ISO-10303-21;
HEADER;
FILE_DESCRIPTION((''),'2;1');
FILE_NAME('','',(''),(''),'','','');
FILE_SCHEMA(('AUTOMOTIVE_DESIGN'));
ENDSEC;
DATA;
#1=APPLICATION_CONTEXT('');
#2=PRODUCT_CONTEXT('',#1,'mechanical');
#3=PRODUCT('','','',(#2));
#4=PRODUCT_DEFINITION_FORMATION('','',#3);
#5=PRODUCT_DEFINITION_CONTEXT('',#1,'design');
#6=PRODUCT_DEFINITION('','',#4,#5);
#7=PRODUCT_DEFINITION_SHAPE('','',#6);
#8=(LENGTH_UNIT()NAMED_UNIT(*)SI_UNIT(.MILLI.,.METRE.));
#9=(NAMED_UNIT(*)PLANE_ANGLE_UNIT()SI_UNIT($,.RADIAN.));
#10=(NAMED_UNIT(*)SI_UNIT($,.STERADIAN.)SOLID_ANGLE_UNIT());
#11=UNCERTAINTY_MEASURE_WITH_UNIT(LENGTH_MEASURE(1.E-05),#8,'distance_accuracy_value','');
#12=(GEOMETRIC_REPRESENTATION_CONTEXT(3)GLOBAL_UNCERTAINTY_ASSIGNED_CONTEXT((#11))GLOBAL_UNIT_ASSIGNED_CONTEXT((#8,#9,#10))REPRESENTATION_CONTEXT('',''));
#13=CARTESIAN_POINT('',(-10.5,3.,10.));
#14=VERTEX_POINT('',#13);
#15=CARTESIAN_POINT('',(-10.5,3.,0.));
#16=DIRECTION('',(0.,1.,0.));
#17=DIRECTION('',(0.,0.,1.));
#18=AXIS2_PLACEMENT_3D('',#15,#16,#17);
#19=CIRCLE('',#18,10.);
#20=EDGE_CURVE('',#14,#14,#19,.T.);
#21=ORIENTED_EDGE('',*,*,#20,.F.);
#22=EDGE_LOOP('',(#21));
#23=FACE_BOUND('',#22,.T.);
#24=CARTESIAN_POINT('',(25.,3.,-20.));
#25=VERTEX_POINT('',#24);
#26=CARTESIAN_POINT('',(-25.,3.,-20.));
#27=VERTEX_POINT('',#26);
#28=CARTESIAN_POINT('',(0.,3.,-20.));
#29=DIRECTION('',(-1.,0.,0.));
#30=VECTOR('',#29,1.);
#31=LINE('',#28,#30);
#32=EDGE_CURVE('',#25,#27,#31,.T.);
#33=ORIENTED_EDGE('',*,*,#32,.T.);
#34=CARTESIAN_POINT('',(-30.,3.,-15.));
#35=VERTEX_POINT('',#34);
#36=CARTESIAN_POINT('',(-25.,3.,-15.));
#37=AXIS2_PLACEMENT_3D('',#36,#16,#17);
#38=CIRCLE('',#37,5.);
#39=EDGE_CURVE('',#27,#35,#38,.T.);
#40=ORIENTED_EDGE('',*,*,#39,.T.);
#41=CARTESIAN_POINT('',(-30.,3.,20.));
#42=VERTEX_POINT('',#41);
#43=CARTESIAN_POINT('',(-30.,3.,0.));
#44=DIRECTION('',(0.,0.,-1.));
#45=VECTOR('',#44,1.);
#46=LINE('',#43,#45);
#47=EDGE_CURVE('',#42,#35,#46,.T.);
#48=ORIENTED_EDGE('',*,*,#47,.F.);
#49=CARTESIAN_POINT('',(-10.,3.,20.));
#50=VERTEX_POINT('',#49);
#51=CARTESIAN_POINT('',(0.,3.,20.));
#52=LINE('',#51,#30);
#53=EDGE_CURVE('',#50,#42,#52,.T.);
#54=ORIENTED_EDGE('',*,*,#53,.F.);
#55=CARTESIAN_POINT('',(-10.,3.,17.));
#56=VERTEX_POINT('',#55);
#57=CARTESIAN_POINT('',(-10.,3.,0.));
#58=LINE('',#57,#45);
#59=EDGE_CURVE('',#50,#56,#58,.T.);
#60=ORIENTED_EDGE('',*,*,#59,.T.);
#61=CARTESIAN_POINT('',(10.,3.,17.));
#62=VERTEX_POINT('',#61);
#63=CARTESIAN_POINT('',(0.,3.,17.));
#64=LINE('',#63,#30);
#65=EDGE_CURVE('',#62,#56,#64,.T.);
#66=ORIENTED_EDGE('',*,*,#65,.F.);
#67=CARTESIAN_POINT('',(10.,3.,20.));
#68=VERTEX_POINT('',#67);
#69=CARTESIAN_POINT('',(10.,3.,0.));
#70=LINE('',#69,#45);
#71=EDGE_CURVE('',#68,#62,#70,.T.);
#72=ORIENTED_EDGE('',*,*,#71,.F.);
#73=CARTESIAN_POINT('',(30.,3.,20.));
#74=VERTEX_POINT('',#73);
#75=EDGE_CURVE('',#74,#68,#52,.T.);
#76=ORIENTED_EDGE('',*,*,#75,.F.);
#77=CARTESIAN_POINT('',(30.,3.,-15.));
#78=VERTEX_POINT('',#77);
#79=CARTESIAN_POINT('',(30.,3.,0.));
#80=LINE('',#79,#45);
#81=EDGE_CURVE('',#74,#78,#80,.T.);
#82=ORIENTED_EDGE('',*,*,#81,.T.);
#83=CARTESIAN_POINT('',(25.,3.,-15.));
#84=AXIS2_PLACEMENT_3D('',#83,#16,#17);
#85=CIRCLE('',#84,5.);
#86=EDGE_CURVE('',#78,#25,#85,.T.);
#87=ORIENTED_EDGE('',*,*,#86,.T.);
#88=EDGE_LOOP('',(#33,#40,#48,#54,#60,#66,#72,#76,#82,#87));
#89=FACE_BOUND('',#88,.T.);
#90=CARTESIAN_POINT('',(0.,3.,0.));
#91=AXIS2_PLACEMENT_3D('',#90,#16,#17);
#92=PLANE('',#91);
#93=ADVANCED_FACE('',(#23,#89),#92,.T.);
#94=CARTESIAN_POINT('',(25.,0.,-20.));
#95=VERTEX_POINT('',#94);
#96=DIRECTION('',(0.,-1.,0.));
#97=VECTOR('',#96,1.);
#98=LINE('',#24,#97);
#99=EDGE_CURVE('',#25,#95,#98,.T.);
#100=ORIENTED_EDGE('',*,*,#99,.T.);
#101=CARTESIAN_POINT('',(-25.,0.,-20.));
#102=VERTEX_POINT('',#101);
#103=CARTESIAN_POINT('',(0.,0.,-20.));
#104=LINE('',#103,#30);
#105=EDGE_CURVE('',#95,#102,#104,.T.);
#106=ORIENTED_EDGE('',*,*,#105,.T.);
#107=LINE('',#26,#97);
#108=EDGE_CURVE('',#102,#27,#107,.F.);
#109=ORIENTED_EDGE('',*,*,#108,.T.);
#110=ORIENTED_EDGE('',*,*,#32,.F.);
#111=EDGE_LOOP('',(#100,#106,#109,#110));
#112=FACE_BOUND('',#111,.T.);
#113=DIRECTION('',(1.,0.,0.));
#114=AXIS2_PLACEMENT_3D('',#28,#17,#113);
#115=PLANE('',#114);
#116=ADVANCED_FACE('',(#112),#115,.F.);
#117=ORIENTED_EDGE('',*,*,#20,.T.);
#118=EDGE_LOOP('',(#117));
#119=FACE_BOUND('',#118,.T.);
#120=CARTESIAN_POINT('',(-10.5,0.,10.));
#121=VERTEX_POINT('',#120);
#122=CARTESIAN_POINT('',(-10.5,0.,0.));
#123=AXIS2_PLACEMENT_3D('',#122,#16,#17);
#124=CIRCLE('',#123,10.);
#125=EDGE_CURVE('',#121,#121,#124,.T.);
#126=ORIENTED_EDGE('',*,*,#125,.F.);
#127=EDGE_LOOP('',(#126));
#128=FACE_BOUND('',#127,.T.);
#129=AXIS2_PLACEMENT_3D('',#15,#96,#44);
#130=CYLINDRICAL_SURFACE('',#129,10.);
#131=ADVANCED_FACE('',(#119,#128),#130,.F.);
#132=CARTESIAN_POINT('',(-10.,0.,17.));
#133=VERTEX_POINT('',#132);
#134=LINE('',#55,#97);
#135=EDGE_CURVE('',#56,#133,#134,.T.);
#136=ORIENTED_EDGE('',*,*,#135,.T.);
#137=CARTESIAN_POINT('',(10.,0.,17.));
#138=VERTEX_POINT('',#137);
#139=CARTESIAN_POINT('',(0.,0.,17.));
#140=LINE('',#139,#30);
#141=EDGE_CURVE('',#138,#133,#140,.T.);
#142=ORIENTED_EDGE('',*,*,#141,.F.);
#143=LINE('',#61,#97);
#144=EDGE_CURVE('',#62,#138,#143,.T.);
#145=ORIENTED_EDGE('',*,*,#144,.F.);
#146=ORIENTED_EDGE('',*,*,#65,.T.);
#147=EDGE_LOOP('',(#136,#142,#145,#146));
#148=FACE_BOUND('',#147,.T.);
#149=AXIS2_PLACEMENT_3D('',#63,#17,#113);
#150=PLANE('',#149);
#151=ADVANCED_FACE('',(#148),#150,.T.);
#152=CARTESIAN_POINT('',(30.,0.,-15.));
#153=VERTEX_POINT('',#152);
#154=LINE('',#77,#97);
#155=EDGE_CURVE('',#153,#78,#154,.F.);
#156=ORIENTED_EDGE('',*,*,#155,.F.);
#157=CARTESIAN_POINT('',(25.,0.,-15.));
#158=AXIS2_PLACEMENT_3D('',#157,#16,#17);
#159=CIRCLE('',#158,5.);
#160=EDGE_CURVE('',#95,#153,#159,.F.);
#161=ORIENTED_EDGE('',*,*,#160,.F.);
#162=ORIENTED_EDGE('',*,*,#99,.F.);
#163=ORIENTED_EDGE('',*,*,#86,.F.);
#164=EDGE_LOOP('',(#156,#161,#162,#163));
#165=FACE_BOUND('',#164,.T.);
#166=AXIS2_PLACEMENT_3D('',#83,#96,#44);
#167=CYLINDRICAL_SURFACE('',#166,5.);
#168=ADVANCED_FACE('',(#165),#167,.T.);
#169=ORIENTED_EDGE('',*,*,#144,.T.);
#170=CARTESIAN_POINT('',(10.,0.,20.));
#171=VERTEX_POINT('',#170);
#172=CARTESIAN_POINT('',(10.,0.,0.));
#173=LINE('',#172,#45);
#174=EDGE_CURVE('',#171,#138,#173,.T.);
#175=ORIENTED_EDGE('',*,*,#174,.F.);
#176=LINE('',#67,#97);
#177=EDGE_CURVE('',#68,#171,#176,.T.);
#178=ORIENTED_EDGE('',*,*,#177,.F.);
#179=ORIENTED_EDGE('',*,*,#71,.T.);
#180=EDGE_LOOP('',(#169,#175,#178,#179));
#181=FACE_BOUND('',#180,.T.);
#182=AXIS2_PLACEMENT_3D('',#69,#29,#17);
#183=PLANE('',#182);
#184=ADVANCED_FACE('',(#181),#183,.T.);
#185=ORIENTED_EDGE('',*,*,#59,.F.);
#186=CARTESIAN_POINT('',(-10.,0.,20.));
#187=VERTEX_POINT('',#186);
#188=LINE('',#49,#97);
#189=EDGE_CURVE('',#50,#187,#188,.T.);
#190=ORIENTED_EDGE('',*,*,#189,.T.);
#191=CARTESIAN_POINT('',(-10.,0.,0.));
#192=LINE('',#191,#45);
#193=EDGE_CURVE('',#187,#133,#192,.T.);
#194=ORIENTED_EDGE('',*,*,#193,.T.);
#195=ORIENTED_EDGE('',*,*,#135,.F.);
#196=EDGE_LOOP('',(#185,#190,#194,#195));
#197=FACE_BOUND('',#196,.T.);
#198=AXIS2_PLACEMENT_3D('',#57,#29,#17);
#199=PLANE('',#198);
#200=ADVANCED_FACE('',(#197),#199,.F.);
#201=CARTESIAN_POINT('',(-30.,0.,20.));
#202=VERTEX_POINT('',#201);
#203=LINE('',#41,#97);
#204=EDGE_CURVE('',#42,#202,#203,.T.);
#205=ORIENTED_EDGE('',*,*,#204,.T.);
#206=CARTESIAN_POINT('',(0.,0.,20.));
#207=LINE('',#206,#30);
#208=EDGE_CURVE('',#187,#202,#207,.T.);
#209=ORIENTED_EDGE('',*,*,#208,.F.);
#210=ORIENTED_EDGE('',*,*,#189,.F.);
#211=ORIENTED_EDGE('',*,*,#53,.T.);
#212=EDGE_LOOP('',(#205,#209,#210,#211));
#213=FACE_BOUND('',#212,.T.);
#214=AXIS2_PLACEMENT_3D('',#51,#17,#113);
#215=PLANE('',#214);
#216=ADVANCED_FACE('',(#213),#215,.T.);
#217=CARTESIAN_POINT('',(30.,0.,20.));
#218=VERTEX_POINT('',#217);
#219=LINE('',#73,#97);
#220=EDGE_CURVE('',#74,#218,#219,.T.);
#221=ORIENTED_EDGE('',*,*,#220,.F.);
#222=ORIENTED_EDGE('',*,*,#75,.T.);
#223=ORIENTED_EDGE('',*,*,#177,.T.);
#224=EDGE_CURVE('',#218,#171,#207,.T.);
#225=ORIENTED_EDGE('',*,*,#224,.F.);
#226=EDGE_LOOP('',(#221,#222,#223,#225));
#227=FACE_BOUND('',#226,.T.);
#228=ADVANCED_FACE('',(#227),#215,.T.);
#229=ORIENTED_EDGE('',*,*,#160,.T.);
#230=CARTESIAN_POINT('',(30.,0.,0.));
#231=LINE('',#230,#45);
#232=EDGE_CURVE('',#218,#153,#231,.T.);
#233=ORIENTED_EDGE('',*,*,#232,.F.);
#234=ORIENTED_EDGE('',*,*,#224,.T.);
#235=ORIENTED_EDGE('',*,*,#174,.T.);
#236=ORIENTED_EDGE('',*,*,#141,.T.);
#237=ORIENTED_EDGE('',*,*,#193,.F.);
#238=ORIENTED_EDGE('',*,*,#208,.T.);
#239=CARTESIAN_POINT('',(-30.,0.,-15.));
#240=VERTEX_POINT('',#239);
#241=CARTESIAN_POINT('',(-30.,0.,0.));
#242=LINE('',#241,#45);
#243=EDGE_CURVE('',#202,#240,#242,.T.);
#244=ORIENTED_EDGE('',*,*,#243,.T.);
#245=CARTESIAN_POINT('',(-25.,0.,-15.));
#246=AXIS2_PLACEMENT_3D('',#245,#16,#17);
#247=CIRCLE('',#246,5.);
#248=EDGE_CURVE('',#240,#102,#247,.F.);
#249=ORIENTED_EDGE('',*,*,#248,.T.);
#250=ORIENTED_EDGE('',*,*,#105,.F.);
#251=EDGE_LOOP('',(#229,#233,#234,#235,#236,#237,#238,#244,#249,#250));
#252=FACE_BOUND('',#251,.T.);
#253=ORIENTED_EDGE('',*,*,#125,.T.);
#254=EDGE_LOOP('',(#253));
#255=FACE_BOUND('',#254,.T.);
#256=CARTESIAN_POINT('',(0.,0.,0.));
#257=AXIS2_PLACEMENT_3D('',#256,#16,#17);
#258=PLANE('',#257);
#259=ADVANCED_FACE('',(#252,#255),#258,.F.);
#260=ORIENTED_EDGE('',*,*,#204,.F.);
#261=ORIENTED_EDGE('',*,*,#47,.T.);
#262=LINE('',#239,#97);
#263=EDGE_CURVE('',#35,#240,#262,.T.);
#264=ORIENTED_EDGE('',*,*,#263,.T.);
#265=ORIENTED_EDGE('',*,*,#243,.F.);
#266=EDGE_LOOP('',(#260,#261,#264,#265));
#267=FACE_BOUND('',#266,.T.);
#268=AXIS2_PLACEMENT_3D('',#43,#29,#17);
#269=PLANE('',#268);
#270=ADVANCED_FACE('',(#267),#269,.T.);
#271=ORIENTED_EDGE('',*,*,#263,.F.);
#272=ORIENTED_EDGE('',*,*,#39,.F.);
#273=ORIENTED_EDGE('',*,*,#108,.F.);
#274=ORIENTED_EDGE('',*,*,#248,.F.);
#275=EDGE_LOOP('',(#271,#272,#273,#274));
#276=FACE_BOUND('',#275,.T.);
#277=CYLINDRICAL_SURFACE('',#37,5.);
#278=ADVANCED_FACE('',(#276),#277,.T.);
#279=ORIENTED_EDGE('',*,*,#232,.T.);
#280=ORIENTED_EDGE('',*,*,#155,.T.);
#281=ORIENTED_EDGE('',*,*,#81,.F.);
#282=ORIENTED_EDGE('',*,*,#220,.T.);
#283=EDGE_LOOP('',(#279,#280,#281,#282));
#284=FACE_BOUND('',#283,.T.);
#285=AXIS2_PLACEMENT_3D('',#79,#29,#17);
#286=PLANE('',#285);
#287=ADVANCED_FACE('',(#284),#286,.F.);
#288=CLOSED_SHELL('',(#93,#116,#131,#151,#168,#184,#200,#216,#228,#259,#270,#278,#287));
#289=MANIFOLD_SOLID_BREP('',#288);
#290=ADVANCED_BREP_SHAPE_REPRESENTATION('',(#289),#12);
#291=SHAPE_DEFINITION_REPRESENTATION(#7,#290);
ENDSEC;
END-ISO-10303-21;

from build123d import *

# Parameters (mm, degrees)
SKETCH1_R           = 10
BOSS_EXTRUDE1_DEPTH = 3
FILLET1_R           = 5


with BuildPart() as part:
    # Sketch1 → Boss-Extrude1 (new body)
    with BuildSketch(Plane(origin=(0, 0, 0), x_dir=(1, 0, 0), z_dir=(0, 1, 0))):
        Polygon((10, -20), (30, -20), (30, 20), (-30, 20), (-30, -20), (-10, -20), (-10, -17), (10, -17), align=None)
        with Locations(Location((-10.5, 0, 0), (0, 0, 270))):
            Circle(SKETCH1_R, mode=Mode.SUBTRACT)
    extrude(amount=BOSS_EXTRUDE1_DEPTH)

    # Fillet1
    fillet1_edges = [part.edges().sort_by_distance(p)[0] for p in [
        (-30, 1.5, -20),
        (30, 1.5, -20),
    ]]
    fillet(fillet1_edges, radius=FILLET1_R)


solid = part.part
